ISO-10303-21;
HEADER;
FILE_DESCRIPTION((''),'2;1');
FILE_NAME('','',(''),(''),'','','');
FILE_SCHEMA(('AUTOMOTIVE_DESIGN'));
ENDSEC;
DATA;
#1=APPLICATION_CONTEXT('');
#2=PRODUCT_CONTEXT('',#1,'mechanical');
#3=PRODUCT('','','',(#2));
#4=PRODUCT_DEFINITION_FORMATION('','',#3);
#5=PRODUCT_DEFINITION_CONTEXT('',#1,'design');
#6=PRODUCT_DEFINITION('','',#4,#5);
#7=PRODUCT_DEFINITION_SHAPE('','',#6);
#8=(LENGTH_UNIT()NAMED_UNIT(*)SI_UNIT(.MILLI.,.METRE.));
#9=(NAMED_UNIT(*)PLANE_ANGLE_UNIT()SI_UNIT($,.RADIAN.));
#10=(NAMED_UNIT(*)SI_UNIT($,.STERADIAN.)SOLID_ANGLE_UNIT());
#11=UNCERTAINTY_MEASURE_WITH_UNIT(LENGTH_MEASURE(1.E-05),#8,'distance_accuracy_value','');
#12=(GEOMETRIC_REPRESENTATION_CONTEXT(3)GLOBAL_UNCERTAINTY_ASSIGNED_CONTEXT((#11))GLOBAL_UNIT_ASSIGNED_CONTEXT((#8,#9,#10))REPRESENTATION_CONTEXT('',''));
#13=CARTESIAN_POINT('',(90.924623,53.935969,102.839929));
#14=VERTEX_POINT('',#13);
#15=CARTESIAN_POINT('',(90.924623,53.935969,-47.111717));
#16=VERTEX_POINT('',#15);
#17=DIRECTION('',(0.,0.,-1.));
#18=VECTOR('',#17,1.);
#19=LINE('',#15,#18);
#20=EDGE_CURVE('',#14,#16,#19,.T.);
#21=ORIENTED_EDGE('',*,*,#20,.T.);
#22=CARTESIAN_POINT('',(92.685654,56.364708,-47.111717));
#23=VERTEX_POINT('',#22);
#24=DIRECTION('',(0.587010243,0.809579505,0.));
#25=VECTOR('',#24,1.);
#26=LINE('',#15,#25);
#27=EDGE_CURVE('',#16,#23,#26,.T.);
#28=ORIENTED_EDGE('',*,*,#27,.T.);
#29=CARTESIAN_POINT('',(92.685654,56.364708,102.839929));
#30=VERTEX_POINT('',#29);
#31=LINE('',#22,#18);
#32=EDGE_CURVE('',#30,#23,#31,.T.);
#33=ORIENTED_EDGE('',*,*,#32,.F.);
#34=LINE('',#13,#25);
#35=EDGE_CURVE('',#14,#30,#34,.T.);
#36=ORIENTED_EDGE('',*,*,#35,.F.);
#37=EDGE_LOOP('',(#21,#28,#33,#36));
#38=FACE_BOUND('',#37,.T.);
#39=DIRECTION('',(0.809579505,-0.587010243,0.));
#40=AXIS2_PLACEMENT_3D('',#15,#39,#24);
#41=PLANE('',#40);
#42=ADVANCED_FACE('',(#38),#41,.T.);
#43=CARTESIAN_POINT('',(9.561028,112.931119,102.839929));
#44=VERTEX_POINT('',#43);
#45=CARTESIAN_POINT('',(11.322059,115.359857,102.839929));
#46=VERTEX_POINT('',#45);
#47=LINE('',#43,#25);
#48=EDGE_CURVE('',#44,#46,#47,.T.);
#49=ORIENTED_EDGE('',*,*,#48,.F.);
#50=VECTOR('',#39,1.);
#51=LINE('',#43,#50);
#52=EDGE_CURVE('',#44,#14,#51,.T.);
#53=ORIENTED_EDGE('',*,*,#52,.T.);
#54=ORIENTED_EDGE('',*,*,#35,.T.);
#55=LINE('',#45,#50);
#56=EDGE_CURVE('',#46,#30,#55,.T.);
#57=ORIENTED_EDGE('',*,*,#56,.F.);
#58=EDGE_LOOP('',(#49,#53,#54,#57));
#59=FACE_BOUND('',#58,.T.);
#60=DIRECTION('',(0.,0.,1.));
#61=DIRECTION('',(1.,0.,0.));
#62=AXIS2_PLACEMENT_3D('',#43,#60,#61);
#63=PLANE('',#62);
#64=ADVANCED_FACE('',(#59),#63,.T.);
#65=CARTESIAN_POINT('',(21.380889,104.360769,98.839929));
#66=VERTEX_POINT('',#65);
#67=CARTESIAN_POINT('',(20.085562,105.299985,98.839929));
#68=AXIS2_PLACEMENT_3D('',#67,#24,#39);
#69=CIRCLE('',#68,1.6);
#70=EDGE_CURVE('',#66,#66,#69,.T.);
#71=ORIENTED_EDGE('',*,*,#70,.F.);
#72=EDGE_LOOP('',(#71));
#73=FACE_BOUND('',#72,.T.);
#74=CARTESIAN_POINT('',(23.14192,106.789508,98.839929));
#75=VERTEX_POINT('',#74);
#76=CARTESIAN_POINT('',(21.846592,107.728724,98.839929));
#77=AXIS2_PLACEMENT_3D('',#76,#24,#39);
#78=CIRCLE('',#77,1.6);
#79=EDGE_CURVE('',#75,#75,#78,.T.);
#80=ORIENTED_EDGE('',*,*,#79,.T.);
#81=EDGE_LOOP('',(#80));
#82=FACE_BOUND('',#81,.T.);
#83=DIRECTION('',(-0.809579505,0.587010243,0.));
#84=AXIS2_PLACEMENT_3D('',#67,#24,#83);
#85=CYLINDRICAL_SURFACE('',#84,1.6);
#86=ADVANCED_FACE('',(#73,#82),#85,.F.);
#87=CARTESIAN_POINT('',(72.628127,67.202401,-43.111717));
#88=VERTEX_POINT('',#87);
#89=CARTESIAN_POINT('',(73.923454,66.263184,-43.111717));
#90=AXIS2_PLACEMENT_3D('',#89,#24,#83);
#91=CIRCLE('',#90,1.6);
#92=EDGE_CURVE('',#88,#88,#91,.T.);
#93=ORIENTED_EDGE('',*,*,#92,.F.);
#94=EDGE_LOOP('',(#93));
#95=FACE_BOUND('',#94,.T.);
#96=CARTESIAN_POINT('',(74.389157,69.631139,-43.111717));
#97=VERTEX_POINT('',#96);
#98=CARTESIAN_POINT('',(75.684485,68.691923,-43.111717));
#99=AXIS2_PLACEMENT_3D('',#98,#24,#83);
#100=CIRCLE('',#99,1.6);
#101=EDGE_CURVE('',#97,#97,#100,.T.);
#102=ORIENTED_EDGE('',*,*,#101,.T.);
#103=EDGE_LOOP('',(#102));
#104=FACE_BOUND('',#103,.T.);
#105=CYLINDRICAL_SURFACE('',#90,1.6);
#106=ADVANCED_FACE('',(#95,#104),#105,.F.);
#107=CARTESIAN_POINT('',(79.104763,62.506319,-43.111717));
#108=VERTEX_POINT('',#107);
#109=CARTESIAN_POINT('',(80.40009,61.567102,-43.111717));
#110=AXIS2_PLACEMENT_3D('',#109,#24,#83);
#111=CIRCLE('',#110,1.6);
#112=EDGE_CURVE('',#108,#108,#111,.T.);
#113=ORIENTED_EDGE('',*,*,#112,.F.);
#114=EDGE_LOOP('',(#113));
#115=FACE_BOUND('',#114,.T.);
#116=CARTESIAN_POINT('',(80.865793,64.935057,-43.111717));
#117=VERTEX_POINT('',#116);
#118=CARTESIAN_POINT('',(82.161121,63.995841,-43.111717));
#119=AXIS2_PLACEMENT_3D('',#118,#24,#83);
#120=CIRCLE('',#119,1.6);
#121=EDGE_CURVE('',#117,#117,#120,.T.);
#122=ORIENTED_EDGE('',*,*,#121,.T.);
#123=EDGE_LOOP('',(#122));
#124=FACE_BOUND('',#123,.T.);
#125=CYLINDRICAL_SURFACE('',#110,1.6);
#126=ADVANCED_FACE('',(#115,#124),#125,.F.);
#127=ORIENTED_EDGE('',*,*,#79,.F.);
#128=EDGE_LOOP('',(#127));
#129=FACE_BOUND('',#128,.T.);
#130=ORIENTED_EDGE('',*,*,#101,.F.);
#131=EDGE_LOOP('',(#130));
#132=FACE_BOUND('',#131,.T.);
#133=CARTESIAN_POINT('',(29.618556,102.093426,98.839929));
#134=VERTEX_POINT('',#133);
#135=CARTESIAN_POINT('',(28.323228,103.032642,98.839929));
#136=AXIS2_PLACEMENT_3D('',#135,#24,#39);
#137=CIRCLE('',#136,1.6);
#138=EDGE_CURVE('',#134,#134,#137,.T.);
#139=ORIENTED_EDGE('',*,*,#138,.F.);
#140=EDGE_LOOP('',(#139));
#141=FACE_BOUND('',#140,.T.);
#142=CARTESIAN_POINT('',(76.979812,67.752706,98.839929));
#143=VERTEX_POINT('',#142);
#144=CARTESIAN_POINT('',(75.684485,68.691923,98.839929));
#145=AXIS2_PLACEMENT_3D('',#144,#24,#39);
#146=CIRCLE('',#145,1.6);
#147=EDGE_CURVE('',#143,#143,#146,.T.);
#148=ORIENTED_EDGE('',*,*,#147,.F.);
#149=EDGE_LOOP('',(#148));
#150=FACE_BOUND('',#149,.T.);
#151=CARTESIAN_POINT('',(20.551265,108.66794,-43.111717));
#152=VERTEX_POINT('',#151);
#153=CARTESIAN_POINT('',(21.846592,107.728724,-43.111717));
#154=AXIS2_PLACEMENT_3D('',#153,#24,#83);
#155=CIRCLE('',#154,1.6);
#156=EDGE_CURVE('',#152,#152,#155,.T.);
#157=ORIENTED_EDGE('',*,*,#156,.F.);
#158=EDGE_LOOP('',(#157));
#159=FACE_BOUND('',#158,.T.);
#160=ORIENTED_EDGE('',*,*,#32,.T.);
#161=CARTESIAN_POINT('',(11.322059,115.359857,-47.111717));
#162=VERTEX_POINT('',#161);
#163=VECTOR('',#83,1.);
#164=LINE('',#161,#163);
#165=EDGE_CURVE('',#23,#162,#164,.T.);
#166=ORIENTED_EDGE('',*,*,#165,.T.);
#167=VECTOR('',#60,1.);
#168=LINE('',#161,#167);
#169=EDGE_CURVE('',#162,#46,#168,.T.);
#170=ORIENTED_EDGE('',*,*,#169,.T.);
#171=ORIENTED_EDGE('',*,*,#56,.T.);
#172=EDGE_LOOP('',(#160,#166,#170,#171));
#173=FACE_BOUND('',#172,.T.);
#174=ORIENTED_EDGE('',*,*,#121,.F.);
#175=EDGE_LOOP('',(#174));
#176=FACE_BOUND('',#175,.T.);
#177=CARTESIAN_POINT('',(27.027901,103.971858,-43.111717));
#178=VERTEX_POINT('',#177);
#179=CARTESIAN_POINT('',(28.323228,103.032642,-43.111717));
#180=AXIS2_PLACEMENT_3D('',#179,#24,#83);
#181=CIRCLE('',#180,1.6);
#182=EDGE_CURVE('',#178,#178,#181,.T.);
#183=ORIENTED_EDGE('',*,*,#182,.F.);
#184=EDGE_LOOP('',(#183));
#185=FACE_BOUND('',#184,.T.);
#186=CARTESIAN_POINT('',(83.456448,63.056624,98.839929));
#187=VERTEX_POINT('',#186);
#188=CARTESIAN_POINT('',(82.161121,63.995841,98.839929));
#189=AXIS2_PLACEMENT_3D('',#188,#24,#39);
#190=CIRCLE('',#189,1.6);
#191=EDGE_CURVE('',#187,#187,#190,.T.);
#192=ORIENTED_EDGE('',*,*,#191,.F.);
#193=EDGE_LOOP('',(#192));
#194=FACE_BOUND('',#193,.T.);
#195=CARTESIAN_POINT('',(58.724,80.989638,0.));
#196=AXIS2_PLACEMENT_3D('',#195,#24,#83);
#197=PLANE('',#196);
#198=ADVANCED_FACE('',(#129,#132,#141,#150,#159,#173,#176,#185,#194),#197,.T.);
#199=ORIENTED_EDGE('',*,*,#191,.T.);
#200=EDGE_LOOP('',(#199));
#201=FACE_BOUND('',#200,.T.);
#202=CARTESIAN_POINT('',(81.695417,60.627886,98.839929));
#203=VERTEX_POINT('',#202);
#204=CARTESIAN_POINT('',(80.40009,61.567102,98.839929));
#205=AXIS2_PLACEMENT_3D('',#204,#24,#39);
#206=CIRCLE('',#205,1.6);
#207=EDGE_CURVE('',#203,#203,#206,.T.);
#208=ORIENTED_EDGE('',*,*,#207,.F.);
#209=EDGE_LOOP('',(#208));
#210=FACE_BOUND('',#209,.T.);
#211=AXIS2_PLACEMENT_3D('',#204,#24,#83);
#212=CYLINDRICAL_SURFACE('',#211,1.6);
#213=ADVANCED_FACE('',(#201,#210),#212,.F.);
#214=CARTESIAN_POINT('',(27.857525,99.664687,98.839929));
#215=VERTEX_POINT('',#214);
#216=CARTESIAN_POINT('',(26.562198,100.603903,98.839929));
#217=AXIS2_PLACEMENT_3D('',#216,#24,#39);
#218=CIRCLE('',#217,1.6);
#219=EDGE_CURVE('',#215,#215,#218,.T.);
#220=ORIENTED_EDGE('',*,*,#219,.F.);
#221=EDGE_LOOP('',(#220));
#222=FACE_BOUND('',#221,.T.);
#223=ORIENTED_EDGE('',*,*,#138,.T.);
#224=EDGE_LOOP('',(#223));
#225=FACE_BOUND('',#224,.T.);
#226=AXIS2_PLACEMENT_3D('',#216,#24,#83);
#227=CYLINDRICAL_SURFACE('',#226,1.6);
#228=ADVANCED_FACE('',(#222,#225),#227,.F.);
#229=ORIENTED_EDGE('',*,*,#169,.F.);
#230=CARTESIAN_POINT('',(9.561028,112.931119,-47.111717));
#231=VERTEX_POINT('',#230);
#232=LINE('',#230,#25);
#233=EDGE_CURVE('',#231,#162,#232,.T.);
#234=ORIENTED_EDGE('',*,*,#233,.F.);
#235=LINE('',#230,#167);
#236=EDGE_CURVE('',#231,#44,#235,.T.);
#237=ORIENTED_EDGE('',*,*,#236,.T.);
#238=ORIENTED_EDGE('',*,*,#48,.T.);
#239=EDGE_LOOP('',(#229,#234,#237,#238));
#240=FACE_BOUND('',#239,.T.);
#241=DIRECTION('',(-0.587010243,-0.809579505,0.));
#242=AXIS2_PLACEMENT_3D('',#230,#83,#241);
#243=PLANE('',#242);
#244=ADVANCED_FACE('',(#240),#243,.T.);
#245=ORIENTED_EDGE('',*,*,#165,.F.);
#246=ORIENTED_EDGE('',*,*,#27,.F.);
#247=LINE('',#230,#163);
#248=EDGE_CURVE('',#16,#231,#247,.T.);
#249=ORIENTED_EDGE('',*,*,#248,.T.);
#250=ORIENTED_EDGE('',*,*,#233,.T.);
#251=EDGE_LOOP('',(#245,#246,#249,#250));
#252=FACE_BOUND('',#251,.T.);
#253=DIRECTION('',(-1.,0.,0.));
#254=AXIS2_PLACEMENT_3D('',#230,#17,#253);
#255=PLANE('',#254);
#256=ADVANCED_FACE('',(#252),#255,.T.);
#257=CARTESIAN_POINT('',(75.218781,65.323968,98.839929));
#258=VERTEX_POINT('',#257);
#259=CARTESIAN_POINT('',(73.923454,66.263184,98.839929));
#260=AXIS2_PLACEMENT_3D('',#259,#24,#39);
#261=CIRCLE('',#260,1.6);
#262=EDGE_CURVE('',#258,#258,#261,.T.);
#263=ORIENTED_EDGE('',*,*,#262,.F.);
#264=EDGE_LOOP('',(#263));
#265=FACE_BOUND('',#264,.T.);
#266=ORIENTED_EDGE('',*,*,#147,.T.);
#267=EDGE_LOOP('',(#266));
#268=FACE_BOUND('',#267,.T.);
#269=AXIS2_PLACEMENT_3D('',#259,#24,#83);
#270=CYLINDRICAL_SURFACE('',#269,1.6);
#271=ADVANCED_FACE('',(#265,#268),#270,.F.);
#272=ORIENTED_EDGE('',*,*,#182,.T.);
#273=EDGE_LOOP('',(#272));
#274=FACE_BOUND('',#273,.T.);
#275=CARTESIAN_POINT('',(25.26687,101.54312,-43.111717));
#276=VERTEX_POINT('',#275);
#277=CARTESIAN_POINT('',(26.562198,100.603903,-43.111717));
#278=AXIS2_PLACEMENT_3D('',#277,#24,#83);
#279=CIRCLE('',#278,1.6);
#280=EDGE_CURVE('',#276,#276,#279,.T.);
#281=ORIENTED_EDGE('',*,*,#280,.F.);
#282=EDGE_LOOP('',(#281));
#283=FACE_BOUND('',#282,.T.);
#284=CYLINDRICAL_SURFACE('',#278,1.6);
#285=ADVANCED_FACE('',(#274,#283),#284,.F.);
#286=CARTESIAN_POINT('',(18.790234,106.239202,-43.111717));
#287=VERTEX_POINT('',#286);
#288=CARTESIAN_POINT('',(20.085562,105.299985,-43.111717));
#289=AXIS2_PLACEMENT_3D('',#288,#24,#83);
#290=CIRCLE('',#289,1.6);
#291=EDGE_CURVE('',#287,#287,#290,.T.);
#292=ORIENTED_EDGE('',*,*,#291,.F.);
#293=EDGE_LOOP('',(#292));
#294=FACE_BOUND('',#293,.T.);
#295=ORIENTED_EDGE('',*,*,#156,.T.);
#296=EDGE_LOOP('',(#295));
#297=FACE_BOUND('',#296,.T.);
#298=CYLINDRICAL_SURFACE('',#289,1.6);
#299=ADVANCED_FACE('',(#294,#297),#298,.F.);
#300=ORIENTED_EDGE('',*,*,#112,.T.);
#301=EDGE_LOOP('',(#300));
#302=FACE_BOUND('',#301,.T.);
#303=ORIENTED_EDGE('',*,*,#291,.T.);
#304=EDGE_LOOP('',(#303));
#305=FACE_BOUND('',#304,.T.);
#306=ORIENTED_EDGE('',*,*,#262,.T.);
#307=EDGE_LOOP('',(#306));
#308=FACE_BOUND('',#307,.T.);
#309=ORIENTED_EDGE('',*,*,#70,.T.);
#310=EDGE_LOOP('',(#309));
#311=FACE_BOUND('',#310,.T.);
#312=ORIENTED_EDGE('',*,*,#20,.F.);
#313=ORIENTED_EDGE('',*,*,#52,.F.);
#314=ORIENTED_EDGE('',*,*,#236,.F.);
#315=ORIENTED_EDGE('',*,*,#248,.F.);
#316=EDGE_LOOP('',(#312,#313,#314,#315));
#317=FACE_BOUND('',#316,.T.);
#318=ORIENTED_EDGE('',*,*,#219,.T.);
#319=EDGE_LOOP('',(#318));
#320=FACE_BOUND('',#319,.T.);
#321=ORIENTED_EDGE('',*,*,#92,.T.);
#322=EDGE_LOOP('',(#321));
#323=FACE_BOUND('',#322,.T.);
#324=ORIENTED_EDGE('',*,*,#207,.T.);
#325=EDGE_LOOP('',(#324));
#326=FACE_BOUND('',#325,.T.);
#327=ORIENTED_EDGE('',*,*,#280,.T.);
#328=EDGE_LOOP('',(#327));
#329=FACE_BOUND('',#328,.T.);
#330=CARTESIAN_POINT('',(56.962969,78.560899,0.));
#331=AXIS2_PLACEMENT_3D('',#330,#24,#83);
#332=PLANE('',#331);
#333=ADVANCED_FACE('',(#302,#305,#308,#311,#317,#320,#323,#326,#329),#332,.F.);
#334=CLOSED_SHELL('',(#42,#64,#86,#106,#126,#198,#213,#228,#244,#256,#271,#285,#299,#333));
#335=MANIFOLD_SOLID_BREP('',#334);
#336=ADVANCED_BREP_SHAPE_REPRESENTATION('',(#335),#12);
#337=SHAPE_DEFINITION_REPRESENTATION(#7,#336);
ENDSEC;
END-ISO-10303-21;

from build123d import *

# Parameters (mm, degrees)
SKETCH_2_W      = 100.501056251
SKETCH_2_H      = 149.951645819
SKETCH_2_R      = 1.6
EXTRUDE_1_DEPTH = 3


with BuildPart() as part:
    # 草图2 → 凸台-拉伸1 (new body)
    with BuildSketch(Plane(origin=(58.724000156, 80.989637793, 0), x_dir=(0.8095795047809408, -0.5870102430440604, 0), z_dir=(0.5870102430440604, 0.8095795047809408, 0))):
        with Locations((-8.300782896, -27.864106314)):
            Rectangle(SKETCH_2_W, SKETCH_2_H)
        with Locations(Location((-45.551311022, 43.111716595, 0), (0, 0, 180))):
            Circle(SKETCH_2_R, mode=Mode.SUBTRACT)
        with Locations(Location((-37.551311022, 43.111716595, 0), (0, 0, 180))):
            Circle(SKETCH_2_R, mode=Mode.SUBTRACT)
        with Locations(Location((20.949745229, 43.111716595, 0), (0, 0, 180))):
            Circle(SKETCH_2_R, mode=Mode.SUBTRACT)
        with Locations(Location((28.949745229, 43.111716595, 0), (0, 0, 180))):
            Circle(SKETCH_2_R, mode=Mode.SUBTRACT)
        with Locations((28.949745229, -98.839929224)):
            Circle(SKETCH_2_R, mode=Mode.SUBTRACT)
        with Locations((20.949745229, -98.839929224)):
            Circle(SKETCH_2_R, mode=Mode.SUBTRACT)
        with Locations((-37.551311022, -98.839929224)):
            Circle(SKETCH_2_R, mode=Mode.SUBTRACT)
        with Locations((-45.551311022, -98.839929224)):
            Circle(SKETCH_2_R, mode=Mode.SUBTRACT)
    extrude(amount=-EXTRUDE_1_DEPTH)


solid = part.part
